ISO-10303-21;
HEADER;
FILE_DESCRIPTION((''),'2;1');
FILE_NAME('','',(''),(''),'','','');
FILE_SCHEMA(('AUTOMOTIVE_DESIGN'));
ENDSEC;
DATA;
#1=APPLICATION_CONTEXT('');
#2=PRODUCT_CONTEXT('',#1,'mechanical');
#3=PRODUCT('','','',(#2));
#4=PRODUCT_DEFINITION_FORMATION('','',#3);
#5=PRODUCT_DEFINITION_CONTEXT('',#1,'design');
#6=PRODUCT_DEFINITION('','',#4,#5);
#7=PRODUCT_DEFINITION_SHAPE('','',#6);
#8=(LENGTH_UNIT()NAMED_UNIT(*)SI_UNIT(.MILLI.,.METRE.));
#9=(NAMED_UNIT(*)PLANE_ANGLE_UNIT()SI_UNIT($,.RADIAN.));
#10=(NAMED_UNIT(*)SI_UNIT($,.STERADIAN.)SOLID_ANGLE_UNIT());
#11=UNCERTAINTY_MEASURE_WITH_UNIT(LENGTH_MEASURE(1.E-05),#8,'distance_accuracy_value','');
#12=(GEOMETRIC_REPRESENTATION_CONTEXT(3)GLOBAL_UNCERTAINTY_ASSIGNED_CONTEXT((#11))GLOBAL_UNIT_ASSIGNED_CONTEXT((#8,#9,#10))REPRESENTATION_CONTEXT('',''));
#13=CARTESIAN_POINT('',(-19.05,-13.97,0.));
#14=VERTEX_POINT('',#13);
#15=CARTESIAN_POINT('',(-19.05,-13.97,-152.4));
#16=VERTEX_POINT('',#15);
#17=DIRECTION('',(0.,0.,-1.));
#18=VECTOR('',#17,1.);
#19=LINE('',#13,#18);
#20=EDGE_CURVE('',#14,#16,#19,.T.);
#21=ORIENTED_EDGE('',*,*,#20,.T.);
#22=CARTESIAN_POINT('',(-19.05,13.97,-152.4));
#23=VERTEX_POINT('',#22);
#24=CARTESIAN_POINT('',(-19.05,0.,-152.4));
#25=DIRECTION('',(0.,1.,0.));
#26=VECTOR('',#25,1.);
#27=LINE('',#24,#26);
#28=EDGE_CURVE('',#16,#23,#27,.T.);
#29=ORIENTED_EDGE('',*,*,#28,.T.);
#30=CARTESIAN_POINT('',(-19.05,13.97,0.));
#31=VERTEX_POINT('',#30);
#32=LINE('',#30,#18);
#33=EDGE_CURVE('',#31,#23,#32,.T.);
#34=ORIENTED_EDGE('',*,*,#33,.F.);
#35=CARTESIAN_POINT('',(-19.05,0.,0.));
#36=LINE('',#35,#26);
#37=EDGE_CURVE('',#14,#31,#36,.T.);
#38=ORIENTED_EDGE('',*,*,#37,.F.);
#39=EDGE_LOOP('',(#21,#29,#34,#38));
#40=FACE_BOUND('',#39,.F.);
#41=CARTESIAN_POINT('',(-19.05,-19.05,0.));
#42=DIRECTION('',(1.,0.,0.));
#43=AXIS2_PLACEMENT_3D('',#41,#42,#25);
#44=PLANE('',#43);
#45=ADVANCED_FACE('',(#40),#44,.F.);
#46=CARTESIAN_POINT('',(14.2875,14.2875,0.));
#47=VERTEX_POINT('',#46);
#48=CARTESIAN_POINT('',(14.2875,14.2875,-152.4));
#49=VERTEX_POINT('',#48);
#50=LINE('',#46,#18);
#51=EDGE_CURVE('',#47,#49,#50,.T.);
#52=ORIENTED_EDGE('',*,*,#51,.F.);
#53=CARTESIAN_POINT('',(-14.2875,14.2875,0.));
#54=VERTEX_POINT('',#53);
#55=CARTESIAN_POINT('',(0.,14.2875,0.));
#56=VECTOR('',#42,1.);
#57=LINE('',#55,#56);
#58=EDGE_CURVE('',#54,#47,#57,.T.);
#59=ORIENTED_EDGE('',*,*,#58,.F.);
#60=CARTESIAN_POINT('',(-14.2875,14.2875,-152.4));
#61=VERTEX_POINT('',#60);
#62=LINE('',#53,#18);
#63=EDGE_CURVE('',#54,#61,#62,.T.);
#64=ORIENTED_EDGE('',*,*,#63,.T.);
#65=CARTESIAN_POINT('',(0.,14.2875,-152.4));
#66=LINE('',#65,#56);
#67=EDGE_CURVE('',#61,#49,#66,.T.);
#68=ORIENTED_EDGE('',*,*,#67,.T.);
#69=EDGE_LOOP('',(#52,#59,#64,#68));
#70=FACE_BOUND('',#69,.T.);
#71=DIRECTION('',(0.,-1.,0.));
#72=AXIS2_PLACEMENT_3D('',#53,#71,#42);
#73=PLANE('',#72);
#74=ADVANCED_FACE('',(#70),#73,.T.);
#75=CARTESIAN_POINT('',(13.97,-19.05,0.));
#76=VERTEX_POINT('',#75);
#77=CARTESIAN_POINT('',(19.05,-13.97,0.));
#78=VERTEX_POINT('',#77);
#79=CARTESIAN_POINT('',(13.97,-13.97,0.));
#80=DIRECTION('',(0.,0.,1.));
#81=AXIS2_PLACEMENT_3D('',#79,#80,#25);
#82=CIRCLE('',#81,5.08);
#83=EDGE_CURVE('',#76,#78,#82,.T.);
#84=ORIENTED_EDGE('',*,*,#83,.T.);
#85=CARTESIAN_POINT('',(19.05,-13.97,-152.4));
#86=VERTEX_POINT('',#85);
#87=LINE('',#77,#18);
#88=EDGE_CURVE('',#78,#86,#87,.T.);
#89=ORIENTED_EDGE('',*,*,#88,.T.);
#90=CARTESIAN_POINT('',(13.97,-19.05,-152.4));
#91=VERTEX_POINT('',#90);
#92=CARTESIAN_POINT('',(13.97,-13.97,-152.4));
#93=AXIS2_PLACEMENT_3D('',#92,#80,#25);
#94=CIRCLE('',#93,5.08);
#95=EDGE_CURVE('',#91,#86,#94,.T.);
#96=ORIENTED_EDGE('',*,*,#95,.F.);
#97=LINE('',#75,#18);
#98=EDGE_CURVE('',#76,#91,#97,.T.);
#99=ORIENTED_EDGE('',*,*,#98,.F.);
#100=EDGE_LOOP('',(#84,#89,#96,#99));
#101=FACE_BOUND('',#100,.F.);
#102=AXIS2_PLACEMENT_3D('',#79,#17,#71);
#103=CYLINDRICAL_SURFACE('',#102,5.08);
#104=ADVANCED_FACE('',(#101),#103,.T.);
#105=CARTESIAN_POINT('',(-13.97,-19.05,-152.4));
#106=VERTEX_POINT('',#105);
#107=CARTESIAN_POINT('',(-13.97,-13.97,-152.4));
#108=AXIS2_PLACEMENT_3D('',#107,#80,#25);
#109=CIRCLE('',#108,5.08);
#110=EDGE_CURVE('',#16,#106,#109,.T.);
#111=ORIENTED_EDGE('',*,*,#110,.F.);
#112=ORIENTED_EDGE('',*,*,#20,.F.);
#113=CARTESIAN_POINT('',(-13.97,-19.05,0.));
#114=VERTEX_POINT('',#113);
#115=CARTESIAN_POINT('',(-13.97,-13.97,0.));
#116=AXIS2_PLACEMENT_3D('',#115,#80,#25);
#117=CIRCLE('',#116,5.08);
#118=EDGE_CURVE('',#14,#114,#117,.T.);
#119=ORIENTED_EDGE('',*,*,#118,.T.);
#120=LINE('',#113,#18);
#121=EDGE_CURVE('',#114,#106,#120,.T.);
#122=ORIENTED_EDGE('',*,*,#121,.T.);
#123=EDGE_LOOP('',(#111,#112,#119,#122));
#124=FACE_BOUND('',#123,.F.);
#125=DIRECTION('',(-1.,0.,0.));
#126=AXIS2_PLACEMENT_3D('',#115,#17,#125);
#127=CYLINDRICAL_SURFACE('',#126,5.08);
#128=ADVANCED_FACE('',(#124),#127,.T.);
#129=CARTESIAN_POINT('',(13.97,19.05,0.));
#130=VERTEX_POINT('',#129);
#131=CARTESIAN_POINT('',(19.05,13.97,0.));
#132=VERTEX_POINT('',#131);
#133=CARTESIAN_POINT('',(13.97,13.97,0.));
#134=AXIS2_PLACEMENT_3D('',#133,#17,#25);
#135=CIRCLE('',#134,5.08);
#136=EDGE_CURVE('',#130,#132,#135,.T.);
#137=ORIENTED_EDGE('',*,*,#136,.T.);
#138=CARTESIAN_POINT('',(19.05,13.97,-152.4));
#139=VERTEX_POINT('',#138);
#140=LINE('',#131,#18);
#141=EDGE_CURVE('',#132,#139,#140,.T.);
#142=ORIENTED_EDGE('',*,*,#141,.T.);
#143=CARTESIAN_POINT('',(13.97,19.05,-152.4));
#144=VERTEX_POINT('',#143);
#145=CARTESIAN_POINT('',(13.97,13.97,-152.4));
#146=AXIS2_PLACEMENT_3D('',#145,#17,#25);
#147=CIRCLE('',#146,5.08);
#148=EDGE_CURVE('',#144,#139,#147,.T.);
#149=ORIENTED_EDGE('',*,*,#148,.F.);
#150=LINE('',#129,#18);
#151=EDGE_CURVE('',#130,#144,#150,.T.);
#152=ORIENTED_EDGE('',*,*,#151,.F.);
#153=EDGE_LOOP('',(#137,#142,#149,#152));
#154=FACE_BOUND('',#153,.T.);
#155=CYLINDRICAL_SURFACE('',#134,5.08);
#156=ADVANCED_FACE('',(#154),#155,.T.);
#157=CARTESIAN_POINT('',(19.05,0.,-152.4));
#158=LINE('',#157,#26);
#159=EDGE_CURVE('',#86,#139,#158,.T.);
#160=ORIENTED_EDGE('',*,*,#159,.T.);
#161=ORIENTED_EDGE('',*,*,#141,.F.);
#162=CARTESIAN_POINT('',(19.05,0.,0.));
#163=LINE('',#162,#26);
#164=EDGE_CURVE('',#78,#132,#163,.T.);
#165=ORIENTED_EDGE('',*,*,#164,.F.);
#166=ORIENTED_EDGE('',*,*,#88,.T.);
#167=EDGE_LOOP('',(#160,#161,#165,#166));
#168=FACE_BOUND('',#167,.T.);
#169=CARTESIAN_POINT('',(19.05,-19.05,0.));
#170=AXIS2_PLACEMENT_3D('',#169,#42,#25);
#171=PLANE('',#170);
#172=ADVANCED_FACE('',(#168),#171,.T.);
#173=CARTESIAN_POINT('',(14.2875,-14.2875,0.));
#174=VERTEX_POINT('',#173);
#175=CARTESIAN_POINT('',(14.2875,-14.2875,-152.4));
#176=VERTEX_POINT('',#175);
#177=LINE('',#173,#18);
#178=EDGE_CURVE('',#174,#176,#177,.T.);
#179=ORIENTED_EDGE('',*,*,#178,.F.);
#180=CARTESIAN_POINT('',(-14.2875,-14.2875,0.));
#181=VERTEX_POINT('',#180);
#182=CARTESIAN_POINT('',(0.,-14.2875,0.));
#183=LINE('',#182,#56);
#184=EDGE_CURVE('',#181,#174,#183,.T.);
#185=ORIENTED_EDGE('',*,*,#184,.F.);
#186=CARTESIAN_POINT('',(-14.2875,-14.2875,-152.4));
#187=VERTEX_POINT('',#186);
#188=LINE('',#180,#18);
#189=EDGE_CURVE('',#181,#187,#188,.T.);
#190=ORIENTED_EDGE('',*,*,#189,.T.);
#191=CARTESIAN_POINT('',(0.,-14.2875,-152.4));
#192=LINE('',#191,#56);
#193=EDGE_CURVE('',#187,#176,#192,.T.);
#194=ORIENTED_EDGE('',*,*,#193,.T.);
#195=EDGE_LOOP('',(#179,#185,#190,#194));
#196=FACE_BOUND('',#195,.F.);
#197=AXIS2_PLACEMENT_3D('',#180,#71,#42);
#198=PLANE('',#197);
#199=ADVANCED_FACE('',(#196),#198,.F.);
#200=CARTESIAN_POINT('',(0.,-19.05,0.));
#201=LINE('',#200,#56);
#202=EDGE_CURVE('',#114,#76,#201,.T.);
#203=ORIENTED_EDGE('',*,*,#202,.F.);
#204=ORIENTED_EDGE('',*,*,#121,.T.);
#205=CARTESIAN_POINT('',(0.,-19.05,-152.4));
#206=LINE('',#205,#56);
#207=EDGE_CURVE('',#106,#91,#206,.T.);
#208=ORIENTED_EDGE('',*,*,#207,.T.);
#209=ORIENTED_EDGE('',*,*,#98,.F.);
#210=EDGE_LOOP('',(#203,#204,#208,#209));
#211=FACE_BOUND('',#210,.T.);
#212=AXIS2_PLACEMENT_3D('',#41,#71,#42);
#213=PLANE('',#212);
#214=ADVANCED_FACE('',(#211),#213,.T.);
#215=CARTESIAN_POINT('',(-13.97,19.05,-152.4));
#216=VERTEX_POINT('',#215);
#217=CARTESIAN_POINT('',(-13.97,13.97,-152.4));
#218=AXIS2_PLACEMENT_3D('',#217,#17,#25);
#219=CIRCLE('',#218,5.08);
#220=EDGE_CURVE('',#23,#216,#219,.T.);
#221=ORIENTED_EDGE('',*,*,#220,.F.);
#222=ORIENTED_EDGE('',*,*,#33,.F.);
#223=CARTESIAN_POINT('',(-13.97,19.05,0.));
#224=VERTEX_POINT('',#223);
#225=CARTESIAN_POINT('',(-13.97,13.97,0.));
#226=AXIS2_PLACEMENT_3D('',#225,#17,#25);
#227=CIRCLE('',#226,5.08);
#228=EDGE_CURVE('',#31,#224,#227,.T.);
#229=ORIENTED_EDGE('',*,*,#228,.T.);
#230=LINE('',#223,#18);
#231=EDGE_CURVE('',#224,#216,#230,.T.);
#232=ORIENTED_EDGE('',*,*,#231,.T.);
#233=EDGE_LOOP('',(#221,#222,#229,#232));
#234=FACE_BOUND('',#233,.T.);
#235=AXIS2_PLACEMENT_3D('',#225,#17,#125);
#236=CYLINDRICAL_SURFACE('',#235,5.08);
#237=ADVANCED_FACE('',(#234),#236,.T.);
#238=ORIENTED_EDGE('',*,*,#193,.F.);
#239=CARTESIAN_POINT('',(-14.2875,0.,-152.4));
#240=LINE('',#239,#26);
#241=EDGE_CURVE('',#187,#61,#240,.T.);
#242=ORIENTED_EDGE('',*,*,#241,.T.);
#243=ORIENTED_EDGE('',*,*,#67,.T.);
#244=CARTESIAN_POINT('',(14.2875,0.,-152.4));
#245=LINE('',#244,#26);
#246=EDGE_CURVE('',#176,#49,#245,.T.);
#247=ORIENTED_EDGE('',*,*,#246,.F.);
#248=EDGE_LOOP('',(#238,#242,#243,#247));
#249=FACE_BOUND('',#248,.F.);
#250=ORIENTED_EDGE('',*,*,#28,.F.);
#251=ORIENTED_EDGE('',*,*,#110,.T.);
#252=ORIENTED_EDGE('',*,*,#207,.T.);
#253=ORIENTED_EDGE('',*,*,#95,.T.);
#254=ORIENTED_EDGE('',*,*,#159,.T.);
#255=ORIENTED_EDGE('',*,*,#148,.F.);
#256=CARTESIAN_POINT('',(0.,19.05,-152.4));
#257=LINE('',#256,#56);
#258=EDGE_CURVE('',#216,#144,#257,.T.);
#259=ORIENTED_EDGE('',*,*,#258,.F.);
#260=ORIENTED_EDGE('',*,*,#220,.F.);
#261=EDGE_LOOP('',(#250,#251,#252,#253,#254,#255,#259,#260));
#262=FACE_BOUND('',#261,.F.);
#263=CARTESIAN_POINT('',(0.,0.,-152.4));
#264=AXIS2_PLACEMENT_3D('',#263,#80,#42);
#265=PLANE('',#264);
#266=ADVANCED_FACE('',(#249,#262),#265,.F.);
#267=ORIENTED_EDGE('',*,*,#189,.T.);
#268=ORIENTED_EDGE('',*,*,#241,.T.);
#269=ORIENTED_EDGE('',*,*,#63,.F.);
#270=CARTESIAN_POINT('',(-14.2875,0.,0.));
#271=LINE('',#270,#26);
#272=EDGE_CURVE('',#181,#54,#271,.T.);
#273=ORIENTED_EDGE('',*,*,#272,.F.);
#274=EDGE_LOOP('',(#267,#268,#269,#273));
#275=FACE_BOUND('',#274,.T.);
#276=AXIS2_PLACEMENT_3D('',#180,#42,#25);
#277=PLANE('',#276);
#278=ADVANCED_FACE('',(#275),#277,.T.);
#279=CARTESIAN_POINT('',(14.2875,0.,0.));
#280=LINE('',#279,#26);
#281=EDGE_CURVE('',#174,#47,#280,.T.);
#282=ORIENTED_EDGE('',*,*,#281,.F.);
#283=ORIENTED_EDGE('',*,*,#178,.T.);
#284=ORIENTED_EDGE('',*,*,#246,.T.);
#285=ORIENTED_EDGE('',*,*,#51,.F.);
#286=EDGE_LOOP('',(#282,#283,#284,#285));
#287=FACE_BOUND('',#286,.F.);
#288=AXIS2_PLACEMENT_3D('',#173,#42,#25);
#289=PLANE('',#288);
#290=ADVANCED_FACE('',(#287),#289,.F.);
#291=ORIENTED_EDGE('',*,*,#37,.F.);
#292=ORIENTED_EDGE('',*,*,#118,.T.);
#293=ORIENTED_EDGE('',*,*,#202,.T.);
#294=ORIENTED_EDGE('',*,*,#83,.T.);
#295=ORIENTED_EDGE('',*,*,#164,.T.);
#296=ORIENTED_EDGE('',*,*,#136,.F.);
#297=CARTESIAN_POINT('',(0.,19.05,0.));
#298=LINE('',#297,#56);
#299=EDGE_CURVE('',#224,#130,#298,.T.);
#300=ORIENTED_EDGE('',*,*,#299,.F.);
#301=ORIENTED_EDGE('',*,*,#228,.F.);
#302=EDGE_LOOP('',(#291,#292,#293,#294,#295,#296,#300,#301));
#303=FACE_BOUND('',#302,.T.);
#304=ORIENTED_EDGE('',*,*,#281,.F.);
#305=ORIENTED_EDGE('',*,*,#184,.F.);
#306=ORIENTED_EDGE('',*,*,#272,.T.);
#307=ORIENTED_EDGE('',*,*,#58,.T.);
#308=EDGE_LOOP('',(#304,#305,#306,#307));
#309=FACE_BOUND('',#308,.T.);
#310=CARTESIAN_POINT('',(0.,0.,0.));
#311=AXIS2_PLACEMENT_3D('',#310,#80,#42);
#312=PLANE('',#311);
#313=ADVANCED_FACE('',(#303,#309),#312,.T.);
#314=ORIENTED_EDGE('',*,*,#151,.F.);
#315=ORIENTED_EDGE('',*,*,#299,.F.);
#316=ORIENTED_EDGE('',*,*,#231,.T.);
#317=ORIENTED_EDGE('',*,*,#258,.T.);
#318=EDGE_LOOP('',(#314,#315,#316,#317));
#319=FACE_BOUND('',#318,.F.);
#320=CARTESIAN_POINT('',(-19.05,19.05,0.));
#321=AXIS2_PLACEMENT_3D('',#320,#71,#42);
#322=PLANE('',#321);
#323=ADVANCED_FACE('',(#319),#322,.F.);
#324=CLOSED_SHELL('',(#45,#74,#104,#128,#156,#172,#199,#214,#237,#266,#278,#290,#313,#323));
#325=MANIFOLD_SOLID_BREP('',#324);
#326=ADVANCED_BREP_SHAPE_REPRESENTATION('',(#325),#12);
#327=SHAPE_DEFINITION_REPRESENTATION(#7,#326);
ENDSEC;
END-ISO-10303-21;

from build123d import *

# Parameters (mm, degrees)
F0_W     = 38.1
F0_H     = 38.1
F0_W_2   = 28.575
F0_H_2   = 28.575
F1_DEPTH = 152.4
F2_R     = 5.08


with BuildPart() as f1:
    # F0 (on Top) → F1 (new body)
    with BuildSketch(Plane.XY):
        Rectangle(F0_W, F0_H)
        Rectangle(F0_W_2, F0_H_2, mode=Mode.SUBTRACT)
    extrude(amount=-F1_DEPTH)

    # F2
    f2_edges = [f1.edges().sort_by_distance(p)[0] for p in [
        (19.05, -19.05, -76.2),
        (19.05, 19.05, -76.2),
        (-19.05, -19.05, -76.2),
        (-19.05, 19.05, -76.2),
    ]]
    fillet(f2_edges, radius=F2_R)


solid = f1.part
